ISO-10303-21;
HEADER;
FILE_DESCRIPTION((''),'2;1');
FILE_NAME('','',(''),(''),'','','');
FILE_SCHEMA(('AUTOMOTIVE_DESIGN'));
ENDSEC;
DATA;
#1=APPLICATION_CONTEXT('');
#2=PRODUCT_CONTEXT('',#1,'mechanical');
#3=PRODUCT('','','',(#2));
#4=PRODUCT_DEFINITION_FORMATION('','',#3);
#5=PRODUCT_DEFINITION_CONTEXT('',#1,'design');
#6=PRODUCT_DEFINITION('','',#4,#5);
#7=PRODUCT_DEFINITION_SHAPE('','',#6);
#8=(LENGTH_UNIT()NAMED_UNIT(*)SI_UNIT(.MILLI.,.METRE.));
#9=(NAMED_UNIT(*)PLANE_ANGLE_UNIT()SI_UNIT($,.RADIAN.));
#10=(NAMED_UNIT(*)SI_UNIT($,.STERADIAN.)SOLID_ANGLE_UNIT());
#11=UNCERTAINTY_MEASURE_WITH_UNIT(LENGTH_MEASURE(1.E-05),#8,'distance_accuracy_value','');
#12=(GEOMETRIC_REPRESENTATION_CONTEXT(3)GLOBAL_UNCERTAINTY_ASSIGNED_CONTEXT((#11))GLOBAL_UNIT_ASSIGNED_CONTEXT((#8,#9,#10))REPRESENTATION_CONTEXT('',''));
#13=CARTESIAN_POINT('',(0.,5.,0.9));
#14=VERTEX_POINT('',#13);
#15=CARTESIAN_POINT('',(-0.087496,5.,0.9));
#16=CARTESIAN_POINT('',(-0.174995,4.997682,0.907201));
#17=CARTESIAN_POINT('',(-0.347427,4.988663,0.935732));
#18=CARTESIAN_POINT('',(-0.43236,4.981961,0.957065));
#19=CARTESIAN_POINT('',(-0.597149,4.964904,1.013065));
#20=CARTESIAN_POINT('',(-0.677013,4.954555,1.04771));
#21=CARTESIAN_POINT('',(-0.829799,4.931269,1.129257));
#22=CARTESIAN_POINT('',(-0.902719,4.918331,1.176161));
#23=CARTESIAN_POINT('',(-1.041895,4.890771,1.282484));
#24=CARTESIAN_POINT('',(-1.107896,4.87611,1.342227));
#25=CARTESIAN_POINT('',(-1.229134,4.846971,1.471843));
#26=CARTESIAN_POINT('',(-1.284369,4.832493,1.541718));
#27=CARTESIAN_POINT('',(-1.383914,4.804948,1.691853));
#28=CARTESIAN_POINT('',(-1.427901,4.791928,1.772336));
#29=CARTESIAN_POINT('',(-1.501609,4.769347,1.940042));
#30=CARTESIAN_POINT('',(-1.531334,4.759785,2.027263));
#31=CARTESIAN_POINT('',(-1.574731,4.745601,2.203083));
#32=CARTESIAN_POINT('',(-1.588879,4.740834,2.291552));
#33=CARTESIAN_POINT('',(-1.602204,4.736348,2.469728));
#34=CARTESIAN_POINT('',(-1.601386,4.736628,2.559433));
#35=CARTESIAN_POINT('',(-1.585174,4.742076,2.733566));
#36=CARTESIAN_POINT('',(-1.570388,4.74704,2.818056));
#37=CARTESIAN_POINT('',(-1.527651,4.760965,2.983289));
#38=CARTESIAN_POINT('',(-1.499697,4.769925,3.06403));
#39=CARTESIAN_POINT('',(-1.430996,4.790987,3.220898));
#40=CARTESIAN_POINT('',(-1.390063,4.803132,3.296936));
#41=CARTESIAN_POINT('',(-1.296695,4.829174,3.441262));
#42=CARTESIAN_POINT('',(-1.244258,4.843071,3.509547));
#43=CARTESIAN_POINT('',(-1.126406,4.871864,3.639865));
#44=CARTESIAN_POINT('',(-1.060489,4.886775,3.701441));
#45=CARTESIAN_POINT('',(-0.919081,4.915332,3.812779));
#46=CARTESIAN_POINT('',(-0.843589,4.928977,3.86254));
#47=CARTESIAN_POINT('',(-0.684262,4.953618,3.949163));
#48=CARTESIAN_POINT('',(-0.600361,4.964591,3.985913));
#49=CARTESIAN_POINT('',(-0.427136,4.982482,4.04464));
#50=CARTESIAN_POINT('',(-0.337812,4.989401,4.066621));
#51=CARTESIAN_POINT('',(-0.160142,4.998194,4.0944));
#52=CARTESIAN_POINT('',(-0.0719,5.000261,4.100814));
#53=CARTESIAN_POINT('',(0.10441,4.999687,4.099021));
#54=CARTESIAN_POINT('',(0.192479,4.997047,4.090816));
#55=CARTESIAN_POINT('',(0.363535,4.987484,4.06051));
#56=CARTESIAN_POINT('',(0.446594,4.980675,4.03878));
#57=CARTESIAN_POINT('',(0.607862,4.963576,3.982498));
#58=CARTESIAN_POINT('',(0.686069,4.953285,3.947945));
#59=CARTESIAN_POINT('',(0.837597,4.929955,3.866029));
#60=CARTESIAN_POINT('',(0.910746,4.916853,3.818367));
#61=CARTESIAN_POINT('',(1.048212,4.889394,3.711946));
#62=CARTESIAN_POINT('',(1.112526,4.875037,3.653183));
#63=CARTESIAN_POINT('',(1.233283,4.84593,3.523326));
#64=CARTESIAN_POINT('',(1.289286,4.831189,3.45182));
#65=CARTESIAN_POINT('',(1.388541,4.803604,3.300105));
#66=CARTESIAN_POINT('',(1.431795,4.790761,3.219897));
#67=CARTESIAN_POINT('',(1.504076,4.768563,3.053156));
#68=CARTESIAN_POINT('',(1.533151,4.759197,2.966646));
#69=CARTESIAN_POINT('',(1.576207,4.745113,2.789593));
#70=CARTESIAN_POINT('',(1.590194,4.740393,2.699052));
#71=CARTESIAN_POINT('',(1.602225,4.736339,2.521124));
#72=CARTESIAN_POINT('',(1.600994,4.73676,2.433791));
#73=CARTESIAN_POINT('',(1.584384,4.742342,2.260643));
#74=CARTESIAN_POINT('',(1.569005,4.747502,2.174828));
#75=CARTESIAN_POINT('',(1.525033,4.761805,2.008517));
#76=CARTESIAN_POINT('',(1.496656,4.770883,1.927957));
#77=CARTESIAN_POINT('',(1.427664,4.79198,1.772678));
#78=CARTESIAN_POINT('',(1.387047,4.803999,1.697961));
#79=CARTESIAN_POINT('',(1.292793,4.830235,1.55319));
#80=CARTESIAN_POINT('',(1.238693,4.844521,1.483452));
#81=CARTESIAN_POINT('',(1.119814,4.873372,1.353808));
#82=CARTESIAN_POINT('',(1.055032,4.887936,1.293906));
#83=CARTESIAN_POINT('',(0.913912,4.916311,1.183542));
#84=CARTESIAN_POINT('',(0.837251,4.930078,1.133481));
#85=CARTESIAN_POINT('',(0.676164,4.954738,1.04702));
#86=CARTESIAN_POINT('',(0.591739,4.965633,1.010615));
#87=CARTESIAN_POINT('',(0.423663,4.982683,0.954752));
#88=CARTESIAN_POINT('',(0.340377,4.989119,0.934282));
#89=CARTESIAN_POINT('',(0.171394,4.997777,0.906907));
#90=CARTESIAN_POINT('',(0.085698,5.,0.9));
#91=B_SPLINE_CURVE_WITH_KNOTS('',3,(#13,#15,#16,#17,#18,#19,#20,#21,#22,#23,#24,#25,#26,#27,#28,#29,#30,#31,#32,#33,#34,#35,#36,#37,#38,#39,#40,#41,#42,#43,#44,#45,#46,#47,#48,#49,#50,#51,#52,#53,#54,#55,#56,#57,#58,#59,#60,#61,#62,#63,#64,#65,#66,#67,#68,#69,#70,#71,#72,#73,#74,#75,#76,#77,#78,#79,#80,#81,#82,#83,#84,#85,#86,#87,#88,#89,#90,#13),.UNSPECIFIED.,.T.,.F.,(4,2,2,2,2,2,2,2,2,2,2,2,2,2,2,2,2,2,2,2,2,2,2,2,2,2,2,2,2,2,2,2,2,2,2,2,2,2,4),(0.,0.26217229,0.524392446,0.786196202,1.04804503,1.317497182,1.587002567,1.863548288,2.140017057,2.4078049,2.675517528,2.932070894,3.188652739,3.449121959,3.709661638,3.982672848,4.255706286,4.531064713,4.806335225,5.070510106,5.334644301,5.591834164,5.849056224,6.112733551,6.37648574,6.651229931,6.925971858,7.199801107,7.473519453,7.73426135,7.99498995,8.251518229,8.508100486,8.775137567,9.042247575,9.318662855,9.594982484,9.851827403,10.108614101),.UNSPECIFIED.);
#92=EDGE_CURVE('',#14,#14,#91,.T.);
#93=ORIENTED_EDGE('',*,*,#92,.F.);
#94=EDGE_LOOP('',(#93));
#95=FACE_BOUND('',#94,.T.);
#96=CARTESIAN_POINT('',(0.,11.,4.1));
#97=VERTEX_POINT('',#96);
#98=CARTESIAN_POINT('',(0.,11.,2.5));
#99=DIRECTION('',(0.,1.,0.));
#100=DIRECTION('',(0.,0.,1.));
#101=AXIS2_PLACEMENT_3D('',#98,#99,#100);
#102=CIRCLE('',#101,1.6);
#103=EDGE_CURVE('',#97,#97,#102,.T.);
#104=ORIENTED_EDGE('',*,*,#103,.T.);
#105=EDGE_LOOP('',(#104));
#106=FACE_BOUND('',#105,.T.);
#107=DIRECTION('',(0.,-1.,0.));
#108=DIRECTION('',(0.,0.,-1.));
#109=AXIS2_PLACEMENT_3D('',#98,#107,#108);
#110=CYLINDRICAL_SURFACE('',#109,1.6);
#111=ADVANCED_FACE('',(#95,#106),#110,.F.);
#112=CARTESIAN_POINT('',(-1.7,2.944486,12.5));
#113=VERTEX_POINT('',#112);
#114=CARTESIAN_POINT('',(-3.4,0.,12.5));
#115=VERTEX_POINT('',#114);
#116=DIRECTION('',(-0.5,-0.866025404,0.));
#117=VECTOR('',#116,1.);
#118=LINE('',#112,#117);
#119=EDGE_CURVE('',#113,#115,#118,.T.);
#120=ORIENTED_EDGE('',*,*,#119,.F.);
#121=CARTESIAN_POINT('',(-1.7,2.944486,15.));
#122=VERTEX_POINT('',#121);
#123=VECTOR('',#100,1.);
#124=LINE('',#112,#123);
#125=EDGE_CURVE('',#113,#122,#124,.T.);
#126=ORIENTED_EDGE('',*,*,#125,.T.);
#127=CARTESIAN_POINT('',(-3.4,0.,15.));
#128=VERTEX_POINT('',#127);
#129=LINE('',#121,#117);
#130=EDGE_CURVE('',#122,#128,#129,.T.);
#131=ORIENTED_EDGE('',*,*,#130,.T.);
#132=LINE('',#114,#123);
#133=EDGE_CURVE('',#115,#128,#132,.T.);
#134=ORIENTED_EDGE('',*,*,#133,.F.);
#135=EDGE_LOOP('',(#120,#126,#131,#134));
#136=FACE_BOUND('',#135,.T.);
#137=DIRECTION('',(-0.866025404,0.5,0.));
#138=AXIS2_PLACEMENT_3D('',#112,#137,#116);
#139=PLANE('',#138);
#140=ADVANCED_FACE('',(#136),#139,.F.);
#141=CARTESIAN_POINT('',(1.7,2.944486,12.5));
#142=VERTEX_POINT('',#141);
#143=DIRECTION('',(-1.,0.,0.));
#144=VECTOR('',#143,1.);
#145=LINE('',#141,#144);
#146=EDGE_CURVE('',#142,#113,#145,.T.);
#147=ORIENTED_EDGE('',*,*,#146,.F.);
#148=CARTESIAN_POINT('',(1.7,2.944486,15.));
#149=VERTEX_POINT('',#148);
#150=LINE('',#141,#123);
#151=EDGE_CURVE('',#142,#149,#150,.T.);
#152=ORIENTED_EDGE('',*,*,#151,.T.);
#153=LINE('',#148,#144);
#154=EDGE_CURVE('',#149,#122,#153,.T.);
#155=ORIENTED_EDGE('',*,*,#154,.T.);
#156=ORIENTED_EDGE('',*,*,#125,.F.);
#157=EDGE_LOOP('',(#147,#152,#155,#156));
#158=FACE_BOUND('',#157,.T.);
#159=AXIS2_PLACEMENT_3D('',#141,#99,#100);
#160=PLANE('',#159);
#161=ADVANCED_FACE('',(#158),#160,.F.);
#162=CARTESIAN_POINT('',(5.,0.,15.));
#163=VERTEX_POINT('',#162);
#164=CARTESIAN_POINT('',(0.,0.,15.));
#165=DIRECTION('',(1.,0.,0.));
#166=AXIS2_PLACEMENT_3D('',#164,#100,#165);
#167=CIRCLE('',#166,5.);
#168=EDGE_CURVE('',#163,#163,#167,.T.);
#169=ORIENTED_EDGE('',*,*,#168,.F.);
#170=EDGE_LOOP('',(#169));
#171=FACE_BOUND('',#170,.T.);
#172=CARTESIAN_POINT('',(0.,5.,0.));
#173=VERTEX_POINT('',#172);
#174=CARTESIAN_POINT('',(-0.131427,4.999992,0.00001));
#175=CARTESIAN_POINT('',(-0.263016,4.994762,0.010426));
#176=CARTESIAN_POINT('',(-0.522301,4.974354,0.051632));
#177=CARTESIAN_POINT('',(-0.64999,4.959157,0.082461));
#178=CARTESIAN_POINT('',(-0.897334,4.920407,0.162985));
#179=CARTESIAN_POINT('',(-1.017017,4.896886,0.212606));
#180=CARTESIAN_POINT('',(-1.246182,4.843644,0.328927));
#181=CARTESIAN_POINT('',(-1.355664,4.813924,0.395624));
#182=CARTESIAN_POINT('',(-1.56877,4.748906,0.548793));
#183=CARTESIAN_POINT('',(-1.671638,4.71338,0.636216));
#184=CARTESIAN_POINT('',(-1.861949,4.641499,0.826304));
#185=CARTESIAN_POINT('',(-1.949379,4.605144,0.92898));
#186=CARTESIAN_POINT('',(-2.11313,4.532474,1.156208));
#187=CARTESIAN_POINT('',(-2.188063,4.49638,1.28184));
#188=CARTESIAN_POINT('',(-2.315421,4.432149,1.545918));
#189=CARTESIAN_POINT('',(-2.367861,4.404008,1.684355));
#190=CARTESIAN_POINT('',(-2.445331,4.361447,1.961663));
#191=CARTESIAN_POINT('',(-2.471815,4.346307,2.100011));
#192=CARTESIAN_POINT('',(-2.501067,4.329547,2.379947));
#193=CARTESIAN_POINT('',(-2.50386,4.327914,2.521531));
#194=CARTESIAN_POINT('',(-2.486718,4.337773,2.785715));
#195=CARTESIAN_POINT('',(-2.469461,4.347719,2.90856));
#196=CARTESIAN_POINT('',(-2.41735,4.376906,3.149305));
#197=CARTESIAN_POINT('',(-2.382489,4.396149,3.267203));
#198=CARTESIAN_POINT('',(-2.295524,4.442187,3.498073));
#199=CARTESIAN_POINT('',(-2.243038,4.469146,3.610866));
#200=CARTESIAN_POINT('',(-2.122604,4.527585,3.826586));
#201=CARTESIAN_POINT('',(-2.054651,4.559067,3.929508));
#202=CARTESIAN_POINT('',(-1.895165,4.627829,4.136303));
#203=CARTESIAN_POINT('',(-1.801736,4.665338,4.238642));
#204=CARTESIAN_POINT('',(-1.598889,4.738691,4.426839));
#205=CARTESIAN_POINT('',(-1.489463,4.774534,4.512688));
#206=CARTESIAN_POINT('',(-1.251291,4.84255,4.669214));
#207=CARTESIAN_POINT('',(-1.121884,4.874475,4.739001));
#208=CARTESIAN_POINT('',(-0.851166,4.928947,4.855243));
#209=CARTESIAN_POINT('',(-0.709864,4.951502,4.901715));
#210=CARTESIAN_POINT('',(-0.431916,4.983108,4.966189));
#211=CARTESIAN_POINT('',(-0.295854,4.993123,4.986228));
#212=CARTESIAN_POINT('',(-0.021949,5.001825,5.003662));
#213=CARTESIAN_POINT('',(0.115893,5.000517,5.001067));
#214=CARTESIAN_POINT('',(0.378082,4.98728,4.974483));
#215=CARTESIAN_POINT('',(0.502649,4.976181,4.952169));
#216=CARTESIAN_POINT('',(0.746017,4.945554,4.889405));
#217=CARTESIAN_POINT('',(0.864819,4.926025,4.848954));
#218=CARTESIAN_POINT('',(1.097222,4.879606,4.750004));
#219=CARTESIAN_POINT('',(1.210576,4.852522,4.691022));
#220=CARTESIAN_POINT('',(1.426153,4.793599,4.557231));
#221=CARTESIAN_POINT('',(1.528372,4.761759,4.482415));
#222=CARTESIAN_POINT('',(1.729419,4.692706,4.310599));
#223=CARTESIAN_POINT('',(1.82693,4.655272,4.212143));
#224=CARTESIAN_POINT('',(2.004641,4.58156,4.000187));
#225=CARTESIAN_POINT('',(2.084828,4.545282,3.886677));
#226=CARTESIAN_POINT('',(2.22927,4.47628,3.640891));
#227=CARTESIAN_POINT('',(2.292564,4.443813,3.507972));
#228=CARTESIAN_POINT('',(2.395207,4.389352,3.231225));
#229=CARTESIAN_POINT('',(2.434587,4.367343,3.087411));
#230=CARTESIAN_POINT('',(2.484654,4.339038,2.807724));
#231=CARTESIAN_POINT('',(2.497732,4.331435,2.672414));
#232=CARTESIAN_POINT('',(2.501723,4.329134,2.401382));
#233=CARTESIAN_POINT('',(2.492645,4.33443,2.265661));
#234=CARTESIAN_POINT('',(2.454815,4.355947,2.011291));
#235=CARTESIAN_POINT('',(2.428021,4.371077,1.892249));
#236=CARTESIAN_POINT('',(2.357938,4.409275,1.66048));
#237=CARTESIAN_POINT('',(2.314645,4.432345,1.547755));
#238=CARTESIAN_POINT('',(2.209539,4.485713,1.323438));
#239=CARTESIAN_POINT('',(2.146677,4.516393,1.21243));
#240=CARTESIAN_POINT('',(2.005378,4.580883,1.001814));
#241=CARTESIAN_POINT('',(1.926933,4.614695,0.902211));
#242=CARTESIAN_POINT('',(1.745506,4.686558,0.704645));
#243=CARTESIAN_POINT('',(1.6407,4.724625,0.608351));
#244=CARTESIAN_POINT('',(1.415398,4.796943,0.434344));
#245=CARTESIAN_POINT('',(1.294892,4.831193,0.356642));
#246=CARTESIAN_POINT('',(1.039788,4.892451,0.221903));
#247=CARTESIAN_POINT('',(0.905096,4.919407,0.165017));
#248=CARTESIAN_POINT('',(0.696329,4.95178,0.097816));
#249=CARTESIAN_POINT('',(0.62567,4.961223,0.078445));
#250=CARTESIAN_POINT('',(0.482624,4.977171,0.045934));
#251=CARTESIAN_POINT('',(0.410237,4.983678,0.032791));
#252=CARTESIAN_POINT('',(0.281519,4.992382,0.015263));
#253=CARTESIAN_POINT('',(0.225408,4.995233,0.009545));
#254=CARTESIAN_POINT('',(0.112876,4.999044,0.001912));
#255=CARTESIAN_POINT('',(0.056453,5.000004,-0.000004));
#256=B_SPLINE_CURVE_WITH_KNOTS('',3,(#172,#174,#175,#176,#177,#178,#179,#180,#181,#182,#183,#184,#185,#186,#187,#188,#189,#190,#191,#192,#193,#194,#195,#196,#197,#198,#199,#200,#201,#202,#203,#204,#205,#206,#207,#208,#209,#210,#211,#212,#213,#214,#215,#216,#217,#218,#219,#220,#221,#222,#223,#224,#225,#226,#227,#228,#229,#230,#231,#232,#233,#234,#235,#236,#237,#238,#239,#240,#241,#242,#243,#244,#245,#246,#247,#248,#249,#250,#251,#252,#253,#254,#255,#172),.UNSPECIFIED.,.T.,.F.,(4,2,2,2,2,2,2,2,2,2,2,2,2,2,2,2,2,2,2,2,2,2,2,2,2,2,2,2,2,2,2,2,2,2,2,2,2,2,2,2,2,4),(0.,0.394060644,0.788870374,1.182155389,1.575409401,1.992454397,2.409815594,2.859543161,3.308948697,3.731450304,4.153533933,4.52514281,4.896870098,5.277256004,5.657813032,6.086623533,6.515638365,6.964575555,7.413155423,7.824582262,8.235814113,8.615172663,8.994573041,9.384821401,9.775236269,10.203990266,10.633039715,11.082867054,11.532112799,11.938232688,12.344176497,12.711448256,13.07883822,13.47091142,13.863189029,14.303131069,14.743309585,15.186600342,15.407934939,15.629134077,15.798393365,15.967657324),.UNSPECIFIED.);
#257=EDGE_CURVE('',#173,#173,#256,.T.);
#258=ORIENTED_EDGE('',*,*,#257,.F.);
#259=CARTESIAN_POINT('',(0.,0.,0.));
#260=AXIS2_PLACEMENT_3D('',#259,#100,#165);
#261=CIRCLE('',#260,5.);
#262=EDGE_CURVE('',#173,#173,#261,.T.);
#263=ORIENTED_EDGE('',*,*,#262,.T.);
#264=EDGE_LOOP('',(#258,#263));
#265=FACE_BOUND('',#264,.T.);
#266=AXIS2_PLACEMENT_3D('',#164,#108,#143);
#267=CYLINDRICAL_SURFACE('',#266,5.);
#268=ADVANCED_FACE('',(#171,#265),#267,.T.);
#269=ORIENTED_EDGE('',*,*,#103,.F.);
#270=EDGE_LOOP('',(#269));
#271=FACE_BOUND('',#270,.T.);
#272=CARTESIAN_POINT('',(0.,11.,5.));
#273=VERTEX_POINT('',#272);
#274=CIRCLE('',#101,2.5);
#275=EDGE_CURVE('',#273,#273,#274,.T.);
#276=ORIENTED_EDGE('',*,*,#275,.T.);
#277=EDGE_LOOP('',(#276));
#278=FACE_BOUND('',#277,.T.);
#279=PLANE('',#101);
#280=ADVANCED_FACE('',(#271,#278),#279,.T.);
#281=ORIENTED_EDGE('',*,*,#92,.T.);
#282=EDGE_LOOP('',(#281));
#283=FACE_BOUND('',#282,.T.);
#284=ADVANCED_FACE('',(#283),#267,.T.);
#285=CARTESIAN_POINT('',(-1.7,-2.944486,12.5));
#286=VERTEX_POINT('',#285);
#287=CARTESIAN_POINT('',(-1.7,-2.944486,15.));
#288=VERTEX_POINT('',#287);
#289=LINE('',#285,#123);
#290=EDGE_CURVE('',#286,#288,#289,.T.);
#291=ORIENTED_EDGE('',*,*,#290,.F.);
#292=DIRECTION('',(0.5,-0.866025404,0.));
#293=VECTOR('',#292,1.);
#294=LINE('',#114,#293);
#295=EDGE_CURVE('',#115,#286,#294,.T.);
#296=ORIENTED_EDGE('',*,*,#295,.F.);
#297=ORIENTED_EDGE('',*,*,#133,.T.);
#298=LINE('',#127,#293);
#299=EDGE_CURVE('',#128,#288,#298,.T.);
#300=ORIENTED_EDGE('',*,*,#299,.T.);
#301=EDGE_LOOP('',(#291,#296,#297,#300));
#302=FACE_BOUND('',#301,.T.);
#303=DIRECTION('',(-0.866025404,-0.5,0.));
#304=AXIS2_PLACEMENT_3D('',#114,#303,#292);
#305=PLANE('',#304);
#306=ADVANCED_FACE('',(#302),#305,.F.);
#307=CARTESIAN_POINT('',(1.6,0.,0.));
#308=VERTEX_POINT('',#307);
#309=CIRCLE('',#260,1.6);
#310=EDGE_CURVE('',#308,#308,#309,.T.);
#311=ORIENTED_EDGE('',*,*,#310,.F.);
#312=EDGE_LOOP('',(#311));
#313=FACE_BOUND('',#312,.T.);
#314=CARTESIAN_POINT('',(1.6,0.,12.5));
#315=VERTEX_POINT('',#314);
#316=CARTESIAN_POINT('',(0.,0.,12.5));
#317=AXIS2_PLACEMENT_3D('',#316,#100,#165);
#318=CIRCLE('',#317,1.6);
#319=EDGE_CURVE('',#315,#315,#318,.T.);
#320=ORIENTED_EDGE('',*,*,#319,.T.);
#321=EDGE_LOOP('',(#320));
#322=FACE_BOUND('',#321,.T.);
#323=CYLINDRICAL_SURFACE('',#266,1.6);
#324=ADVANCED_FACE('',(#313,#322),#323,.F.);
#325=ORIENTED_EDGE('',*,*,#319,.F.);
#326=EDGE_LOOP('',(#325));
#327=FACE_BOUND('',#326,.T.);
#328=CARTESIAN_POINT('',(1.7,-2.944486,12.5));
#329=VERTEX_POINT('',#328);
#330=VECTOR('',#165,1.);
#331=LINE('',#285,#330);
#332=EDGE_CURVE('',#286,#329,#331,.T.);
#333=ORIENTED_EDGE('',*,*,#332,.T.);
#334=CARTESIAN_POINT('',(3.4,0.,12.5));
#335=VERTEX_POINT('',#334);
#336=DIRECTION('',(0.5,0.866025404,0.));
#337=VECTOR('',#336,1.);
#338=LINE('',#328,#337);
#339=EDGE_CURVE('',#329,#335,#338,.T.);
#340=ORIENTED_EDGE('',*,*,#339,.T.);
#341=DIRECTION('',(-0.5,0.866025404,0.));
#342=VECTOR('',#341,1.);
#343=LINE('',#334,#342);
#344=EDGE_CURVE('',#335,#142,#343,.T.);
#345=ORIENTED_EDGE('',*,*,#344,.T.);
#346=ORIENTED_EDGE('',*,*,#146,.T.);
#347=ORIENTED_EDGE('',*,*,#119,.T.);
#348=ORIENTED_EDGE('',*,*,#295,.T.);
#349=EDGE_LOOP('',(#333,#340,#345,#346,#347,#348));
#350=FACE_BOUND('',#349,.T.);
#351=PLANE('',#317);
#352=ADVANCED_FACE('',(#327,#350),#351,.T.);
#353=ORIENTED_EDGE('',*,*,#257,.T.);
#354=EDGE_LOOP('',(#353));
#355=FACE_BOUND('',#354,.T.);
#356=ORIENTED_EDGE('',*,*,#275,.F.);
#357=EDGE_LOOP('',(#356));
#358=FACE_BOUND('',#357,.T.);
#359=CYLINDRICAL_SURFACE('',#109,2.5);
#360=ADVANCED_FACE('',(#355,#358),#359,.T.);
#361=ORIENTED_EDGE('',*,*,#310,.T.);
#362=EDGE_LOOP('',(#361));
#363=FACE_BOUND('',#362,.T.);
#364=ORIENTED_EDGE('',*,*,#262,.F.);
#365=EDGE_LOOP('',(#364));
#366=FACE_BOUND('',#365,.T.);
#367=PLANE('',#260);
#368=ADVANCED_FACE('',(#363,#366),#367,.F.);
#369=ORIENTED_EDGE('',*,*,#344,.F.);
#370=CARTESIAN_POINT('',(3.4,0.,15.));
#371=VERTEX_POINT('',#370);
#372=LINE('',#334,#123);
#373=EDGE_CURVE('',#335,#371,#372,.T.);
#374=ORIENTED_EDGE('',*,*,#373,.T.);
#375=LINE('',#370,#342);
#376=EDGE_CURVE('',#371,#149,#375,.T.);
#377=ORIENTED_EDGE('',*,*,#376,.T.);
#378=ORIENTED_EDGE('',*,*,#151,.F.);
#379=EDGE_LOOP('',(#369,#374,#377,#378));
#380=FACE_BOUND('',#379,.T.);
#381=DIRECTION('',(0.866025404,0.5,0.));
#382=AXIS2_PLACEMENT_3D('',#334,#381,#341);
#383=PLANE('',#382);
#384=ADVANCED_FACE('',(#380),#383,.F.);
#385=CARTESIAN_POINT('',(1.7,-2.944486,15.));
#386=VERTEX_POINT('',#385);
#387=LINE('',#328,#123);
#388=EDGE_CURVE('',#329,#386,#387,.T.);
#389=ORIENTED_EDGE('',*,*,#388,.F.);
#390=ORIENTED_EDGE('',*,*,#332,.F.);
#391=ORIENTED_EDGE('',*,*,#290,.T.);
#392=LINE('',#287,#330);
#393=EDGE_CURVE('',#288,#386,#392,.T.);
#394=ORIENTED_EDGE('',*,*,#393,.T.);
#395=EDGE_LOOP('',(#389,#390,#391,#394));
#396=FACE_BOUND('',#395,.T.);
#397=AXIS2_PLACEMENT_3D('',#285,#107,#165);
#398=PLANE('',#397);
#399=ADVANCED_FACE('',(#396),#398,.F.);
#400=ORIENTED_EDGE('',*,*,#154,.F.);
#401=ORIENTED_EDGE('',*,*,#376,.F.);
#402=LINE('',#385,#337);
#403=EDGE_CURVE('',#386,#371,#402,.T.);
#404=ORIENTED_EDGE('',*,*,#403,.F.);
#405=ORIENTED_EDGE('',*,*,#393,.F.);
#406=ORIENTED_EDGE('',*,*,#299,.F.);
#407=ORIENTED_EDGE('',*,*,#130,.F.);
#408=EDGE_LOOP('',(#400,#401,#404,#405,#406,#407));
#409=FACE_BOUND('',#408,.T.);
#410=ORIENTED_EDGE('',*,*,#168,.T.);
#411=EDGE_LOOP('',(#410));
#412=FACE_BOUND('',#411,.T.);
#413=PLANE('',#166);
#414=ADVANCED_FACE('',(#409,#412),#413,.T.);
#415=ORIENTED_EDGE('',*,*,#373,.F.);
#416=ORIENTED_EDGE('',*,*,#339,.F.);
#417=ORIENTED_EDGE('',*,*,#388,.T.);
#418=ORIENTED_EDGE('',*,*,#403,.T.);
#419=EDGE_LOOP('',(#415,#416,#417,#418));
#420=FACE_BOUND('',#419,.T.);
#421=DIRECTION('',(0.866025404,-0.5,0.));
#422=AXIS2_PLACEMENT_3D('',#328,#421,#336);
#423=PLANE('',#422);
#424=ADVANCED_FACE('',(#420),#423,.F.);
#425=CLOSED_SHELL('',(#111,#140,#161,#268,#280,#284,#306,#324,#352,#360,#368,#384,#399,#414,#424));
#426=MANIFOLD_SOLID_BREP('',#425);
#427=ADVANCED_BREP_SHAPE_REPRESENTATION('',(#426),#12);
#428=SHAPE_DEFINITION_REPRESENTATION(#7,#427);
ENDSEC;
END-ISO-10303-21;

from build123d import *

# Parameters (mm, degrees)
SKETCH_1_R          = 5
SKETCH_1_R_2        = 1.6
EXTRUDE_1_DEPTH     = 15
CUT_EXTRUDE_1_DEPTH = 2.5
SKETCH_4_R          = 2.5
SKETCH_4_R_2        = 1.6
EXTRUDE_2_DEPTH     = 7


with BuildPart() as part:
    # 草图1 → 凸台-拉伸1 (new body)
    with BuildSketch(Plane.XY):
        Circle(SKETCH_1_R)
        Circle(SKETCH_1_R_2, mode=Mode.SUBTRACT)
    extrude(amount=EXTRUDE_1_DEPTH)

    # 草图2 → 切除-拉伸1 (cut)
    with BuildSketch(Plane.XY.offset(15)):
        Polygon((3.4, 0), (1.7, 2.944486373), (-1.7, 2.944486373), (-3.4, 0), (-1.7, -2.944486373), (1.7, -2.944486373), align=None)
    extrude(amount=-CUT_EXTRUDE_1_DEPTH, mode=Mode.SUBTRACT)

    # 草图4 → 凸台-拉伸2 (add)
    with BuildSketch(Plane(origin=(0, 4, 0), x_dir=(1, 0, 0), z_dir=(0, 1, 0))):
        with Locations(Location((0, -2.5, 0), (0, 0, 270))):
            Circle(SKETCH_4_R)
        with Locations(Location((0, -2.5, 0), (0, 0, 90))):
            Circle(SKETCH_4_R_2, mode=Mode.SUBTRACT)
    extrude(amount=EXTRUDE_2_DEPTH)


solid = part.part
